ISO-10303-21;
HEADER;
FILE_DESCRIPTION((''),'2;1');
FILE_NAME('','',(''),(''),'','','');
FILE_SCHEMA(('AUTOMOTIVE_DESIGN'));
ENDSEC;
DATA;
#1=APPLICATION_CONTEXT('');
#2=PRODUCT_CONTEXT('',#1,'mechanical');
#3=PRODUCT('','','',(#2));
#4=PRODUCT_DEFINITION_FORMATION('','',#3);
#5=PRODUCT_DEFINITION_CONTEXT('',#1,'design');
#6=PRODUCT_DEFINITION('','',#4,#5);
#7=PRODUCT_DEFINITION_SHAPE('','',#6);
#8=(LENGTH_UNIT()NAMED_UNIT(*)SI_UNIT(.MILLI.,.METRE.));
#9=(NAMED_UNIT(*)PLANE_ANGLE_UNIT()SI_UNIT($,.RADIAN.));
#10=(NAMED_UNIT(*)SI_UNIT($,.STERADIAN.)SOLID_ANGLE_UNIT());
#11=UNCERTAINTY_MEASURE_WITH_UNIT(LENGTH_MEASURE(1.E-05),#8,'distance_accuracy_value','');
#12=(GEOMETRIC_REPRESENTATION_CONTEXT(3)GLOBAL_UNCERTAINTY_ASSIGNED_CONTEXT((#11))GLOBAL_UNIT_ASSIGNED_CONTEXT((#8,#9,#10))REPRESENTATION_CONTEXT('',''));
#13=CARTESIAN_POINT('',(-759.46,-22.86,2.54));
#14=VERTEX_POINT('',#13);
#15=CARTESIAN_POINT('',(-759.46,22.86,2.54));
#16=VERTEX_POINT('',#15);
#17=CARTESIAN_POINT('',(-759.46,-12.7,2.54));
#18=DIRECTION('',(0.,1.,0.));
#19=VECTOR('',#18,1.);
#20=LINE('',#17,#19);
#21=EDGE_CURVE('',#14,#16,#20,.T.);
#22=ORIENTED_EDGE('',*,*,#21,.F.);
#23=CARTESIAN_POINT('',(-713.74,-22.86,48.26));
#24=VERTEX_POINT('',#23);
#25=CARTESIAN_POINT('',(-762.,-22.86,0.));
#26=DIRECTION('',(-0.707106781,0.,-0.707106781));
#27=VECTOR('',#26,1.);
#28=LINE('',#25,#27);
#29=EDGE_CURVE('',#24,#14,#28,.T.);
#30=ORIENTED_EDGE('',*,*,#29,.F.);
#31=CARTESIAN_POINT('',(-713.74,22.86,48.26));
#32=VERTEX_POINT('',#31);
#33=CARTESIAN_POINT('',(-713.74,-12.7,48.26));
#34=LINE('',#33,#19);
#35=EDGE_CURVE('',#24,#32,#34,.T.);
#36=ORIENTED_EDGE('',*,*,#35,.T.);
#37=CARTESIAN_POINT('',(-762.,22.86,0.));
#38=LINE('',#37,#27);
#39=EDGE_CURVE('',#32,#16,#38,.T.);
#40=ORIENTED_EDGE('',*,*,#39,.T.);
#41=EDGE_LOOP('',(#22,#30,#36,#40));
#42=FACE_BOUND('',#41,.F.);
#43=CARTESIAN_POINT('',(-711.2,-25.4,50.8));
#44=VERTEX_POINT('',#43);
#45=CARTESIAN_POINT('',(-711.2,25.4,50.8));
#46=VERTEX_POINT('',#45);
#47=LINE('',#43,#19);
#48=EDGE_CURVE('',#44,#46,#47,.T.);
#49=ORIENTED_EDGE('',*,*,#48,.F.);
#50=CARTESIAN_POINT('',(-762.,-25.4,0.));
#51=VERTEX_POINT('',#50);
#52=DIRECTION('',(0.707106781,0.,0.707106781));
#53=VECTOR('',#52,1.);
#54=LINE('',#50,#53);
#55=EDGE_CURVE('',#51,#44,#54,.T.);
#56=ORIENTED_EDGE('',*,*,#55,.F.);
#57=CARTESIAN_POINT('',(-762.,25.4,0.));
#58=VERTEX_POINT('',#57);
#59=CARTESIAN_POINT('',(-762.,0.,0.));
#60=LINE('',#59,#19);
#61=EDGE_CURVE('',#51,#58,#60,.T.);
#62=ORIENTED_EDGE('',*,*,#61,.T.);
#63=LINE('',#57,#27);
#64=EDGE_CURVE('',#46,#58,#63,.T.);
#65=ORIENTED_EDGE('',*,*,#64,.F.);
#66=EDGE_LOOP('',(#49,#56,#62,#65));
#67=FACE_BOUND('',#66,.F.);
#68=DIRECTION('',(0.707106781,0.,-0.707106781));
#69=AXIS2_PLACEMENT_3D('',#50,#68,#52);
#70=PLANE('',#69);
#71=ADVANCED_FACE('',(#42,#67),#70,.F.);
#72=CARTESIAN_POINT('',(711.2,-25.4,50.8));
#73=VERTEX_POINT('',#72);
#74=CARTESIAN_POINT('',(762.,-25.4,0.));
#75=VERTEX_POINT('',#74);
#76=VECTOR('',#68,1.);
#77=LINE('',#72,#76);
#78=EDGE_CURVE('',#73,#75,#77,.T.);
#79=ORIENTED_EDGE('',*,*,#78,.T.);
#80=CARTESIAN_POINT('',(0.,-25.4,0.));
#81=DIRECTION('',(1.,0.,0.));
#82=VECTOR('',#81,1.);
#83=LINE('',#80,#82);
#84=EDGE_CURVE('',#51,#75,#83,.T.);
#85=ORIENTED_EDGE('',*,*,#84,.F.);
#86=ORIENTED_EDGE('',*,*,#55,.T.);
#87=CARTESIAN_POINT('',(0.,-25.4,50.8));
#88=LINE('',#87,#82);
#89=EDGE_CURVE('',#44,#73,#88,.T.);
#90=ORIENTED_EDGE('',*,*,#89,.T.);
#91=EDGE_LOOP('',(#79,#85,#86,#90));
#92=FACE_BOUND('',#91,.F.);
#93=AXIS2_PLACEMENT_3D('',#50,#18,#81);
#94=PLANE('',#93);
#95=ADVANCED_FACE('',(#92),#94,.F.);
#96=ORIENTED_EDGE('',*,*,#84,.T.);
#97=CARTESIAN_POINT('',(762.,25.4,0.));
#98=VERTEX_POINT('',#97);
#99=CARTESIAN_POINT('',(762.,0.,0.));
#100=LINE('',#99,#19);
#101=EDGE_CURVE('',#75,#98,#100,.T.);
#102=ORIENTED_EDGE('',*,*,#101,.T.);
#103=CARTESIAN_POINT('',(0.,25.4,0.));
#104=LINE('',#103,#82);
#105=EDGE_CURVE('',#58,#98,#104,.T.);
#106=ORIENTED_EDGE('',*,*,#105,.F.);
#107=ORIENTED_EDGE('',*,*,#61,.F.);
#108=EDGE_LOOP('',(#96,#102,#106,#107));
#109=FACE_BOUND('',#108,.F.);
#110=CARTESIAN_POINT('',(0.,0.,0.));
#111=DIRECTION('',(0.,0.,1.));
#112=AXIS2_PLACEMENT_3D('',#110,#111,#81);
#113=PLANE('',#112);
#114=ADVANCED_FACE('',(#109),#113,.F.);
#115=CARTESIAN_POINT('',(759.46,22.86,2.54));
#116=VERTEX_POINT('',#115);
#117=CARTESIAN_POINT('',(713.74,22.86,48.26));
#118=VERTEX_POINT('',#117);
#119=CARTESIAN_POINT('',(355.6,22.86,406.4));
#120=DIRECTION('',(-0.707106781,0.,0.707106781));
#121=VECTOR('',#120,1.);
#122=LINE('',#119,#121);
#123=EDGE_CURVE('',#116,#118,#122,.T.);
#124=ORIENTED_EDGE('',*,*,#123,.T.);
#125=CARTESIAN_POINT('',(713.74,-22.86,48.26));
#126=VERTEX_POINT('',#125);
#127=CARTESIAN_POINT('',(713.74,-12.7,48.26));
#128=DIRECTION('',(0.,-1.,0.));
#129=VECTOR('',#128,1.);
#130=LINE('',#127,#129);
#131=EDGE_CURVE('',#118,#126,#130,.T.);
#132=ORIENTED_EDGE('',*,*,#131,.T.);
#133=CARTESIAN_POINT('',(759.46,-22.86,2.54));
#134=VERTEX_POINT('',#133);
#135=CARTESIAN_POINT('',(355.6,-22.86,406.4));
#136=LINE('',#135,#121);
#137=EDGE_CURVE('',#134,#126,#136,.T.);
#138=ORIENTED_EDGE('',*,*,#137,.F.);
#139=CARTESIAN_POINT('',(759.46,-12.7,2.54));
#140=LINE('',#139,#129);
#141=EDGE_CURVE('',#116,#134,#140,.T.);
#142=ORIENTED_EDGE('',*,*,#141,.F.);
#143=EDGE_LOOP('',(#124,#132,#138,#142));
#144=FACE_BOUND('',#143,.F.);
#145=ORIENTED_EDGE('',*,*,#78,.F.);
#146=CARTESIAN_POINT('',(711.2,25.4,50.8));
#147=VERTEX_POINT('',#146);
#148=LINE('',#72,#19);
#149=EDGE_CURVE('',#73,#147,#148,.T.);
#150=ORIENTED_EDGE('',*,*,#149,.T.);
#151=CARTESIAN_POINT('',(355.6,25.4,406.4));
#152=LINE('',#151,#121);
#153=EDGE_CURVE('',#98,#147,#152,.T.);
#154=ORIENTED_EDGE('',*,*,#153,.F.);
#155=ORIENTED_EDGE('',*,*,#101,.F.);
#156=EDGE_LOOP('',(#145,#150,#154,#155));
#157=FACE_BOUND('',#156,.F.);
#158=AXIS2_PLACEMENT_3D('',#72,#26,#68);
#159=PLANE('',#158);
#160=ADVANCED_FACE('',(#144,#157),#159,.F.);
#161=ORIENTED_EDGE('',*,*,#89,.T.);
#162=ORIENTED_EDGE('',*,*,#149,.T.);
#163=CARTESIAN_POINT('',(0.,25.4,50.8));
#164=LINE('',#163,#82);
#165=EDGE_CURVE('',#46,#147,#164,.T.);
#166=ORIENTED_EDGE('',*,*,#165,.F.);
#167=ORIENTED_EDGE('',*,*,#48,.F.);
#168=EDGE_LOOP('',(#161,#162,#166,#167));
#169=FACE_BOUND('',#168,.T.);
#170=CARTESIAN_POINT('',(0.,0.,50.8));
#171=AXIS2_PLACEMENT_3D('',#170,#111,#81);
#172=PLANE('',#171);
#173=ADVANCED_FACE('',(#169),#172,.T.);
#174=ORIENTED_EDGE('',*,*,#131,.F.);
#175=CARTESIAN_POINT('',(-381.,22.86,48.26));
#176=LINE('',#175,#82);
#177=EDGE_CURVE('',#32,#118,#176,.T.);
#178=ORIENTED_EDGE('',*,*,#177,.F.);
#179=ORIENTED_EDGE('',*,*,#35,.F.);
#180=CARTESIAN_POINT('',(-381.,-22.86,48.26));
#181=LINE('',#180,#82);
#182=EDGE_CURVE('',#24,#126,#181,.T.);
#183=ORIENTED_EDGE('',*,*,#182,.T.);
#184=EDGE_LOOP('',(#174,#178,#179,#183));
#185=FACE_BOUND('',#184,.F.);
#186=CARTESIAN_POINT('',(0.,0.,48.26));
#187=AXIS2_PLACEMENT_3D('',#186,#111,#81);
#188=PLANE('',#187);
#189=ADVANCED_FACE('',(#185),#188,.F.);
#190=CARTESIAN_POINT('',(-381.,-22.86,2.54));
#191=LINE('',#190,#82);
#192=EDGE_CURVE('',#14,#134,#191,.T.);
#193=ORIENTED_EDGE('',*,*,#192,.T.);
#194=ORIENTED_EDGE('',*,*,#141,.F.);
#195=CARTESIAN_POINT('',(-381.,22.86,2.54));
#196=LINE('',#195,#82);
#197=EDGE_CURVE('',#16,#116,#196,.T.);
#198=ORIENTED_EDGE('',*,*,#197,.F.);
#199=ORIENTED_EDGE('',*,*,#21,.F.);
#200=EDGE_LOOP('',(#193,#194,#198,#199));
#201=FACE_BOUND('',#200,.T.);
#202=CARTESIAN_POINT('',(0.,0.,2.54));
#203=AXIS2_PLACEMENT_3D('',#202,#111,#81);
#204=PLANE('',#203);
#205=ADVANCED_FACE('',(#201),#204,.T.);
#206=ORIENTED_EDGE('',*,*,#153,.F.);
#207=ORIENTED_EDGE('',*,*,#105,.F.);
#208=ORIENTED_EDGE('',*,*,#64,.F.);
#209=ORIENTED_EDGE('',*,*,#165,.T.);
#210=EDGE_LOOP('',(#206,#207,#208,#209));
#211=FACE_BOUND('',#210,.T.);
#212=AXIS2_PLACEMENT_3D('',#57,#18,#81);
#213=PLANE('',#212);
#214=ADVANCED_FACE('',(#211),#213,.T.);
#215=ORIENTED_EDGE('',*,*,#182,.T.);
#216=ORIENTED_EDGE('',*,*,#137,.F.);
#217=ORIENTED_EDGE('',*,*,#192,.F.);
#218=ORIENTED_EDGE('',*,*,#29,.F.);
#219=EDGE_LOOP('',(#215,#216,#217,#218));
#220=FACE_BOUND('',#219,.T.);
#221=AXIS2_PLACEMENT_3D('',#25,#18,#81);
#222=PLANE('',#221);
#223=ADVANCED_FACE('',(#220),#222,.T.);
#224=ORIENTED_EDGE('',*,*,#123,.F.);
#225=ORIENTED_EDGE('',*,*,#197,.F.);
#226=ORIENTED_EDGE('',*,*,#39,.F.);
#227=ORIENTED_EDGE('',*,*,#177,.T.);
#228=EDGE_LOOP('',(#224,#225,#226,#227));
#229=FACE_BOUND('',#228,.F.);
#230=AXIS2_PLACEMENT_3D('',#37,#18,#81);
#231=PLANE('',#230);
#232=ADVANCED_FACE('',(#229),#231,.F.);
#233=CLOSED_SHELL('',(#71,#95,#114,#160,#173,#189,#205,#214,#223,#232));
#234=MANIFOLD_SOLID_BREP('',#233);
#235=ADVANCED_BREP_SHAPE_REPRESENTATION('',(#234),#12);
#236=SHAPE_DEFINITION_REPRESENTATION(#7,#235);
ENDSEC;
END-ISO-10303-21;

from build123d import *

# Parameters (mm, degrees)
F0_W     = 1524
F0_H     = 50.8
F1_DEPTH = 50.8
F2_T     = -2.54
F4_DEPTH = 50.801
F6_DEPTH = 50.801


with BuildPart() as f1:
    # F0 (on Top) → F1 (new body)
    with BuildSketch(Plane.XY):
        Rectangle(F0_W, F0_H)
    extrude(amount=F1_DEPTH)

    # F2
    f2_openings = [f1.faces().sort_by_distance(p)[0] for p in [
        (-762, 0, 25.4),
        (762, 0, 25.4),
    ]]
    offset(amount=F2_T, openings=f2_openings)

    # F3 (on face) → F4 (cut, through all)
    with BuildSketch(Plane.XZ.offset(25.4)):
        Polygon((711.2, 50.8), (762, 0), (762, 50.8), align=None)
    extrude(amount=-F4_DEPTH, mode=Mode.SUBTRACT)

    # F5 (on face) → F6 (cut, through all)
    with BuildSketch(Plane.XZ.offset(25.4)):
        Polygon((-762, 50.8), (-762, 0), (-711.2, 50.8), align=None)
    extrude(amount=-F6_DEPTH, mode=Mode.SUBTRACT)


solid = f1.part
